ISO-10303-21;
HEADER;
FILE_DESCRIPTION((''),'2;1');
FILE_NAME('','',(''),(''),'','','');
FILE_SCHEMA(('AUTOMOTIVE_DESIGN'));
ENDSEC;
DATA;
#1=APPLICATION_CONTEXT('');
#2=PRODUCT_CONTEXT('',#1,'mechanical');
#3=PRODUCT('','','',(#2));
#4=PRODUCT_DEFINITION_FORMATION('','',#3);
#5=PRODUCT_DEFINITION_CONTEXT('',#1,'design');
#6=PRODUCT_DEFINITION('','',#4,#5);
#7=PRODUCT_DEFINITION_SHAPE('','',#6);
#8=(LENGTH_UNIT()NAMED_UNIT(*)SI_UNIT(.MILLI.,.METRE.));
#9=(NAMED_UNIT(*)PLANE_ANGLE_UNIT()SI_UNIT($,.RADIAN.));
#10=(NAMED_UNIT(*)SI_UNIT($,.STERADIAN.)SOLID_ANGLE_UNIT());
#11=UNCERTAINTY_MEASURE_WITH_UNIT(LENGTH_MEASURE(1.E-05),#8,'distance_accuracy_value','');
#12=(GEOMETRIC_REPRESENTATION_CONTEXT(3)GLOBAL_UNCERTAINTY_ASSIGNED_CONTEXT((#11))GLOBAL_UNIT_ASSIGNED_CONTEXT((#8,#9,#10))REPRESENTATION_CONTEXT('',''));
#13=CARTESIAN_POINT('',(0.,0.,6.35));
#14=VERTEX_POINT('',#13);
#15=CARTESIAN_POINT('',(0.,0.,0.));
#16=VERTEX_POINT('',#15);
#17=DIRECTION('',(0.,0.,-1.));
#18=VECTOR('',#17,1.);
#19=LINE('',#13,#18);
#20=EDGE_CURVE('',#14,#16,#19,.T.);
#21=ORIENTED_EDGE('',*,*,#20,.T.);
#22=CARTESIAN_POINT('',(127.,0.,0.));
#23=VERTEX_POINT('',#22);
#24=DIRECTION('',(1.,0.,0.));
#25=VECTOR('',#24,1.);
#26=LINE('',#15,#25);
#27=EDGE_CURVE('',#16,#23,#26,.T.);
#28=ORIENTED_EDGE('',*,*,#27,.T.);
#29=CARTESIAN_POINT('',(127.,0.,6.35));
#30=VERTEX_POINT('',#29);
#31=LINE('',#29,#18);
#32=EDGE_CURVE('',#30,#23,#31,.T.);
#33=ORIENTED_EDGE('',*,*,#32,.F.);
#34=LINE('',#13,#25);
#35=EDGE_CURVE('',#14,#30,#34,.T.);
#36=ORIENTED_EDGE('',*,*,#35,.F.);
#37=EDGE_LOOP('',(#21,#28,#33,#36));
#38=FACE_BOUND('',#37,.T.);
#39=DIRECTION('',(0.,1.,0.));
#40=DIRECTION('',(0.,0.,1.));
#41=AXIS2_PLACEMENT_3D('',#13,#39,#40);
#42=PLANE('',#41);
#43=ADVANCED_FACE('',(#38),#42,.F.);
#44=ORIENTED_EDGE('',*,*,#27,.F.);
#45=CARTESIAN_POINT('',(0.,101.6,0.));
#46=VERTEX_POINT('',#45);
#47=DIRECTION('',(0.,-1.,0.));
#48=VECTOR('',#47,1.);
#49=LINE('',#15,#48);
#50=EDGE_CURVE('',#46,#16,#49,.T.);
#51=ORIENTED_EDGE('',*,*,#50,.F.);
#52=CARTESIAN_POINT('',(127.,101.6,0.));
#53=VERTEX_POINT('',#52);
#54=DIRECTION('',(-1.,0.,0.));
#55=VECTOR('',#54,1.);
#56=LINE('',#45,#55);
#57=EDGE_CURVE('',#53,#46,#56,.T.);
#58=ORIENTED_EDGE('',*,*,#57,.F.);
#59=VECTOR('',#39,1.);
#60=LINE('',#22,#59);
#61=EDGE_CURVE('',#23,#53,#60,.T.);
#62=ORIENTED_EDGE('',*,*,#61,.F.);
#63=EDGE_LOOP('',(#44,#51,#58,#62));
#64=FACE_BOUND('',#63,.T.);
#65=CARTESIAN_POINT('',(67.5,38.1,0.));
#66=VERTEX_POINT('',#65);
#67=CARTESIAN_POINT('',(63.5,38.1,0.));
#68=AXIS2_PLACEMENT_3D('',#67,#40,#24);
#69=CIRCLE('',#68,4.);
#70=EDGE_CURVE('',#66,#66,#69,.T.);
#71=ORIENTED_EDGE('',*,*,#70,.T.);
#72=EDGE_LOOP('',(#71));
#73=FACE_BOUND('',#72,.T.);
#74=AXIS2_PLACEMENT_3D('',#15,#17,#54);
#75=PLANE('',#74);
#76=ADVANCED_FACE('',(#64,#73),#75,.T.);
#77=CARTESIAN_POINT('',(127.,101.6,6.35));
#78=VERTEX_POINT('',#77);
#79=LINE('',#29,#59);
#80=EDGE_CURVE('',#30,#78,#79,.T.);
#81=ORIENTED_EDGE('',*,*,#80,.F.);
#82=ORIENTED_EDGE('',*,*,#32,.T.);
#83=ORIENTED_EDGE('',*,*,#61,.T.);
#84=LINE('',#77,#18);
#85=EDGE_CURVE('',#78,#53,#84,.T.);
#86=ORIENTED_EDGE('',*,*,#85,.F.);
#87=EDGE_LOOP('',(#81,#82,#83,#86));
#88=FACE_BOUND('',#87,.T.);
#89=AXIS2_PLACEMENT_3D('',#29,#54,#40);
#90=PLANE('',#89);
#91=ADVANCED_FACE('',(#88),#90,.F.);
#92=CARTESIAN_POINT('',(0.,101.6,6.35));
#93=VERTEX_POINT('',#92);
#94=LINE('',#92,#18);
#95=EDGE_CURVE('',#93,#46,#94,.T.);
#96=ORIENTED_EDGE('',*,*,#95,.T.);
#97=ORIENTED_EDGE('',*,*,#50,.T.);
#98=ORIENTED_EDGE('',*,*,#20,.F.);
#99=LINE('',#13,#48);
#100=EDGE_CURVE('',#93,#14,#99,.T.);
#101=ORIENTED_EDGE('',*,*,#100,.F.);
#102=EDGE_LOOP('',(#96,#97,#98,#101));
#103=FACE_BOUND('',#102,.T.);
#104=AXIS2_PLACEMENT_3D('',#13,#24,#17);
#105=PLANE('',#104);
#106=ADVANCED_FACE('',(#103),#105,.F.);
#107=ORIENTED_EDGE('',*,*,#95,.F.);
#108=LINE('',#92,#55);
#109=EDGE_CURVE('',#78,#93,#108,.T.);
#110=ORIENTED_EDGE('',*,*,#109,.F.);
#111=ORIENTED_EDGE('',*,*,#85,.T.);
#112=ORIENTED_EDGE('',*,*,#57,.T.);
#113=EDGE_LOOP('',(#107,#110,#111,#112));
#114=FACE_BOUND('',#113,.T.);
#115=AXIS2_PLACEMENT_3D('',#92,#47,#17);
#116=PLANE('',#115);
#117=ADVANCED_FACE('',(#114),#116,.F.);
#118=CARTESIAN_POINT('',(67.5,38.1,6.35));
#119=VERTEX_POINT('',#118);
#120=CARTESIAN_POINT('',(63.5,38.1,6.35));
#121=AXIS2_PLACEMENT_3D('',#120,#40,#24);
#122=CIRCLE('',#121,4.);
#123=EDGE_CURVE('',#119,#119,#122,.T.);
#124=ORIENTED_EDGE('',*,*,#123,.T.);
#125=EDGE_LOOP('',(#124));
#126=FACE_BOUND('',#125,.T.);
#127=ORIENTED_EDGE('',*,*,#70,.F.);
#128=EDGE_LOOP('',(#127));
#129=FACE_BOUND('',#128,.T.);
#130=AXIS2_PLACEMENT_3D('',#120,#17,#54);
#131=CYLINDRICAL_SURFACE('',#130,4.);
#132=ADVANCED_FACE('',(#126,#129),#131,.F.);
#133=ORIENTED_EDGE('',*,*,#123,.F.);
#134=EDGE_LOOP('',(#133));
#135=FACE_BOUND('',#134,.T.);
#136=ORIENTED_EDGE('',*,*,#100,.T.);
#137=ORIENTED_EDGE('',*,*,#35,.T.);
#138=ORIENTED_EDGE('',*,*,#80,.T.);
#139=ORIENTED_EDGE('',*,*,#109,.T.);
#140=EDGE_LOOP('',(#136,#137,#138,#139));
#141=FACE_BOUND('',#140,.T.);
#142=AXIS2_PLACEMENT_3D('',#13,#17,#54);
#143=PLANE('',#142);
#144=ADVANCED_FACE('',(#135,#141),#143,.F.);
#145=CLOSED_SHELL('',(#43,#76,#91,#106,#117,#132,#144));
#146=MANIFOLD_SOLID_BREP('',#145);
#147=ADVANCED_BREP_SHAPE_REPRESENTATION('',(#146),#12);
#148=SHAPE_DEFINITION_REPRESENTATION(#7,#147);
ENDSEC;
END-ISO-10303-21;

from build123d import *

# Parameters (mm, degrees)
SKETCH1_W           = 127
SKETCH1_H           = 101.6
SKETCH1_R           = 4
BOSS_EXTRUDE1_DEPTH = 6.35


with BuildPart() as part:
    # Sketch1 → Boss-Extrude1 (new body)
    with BuildSketch(Plane.XY):
        with Locations((63.5, 50.8)):
            Rectangle(SKETCH1_W, SKETCH1_H)
        with Locations((63.5, 38.1)):
            Circle(SKETCH1_R, mode=Mode.SUBTRACT)
    extrude(amount=BOSS_EXTRUDE1_DEPTH)


solid = part.part
